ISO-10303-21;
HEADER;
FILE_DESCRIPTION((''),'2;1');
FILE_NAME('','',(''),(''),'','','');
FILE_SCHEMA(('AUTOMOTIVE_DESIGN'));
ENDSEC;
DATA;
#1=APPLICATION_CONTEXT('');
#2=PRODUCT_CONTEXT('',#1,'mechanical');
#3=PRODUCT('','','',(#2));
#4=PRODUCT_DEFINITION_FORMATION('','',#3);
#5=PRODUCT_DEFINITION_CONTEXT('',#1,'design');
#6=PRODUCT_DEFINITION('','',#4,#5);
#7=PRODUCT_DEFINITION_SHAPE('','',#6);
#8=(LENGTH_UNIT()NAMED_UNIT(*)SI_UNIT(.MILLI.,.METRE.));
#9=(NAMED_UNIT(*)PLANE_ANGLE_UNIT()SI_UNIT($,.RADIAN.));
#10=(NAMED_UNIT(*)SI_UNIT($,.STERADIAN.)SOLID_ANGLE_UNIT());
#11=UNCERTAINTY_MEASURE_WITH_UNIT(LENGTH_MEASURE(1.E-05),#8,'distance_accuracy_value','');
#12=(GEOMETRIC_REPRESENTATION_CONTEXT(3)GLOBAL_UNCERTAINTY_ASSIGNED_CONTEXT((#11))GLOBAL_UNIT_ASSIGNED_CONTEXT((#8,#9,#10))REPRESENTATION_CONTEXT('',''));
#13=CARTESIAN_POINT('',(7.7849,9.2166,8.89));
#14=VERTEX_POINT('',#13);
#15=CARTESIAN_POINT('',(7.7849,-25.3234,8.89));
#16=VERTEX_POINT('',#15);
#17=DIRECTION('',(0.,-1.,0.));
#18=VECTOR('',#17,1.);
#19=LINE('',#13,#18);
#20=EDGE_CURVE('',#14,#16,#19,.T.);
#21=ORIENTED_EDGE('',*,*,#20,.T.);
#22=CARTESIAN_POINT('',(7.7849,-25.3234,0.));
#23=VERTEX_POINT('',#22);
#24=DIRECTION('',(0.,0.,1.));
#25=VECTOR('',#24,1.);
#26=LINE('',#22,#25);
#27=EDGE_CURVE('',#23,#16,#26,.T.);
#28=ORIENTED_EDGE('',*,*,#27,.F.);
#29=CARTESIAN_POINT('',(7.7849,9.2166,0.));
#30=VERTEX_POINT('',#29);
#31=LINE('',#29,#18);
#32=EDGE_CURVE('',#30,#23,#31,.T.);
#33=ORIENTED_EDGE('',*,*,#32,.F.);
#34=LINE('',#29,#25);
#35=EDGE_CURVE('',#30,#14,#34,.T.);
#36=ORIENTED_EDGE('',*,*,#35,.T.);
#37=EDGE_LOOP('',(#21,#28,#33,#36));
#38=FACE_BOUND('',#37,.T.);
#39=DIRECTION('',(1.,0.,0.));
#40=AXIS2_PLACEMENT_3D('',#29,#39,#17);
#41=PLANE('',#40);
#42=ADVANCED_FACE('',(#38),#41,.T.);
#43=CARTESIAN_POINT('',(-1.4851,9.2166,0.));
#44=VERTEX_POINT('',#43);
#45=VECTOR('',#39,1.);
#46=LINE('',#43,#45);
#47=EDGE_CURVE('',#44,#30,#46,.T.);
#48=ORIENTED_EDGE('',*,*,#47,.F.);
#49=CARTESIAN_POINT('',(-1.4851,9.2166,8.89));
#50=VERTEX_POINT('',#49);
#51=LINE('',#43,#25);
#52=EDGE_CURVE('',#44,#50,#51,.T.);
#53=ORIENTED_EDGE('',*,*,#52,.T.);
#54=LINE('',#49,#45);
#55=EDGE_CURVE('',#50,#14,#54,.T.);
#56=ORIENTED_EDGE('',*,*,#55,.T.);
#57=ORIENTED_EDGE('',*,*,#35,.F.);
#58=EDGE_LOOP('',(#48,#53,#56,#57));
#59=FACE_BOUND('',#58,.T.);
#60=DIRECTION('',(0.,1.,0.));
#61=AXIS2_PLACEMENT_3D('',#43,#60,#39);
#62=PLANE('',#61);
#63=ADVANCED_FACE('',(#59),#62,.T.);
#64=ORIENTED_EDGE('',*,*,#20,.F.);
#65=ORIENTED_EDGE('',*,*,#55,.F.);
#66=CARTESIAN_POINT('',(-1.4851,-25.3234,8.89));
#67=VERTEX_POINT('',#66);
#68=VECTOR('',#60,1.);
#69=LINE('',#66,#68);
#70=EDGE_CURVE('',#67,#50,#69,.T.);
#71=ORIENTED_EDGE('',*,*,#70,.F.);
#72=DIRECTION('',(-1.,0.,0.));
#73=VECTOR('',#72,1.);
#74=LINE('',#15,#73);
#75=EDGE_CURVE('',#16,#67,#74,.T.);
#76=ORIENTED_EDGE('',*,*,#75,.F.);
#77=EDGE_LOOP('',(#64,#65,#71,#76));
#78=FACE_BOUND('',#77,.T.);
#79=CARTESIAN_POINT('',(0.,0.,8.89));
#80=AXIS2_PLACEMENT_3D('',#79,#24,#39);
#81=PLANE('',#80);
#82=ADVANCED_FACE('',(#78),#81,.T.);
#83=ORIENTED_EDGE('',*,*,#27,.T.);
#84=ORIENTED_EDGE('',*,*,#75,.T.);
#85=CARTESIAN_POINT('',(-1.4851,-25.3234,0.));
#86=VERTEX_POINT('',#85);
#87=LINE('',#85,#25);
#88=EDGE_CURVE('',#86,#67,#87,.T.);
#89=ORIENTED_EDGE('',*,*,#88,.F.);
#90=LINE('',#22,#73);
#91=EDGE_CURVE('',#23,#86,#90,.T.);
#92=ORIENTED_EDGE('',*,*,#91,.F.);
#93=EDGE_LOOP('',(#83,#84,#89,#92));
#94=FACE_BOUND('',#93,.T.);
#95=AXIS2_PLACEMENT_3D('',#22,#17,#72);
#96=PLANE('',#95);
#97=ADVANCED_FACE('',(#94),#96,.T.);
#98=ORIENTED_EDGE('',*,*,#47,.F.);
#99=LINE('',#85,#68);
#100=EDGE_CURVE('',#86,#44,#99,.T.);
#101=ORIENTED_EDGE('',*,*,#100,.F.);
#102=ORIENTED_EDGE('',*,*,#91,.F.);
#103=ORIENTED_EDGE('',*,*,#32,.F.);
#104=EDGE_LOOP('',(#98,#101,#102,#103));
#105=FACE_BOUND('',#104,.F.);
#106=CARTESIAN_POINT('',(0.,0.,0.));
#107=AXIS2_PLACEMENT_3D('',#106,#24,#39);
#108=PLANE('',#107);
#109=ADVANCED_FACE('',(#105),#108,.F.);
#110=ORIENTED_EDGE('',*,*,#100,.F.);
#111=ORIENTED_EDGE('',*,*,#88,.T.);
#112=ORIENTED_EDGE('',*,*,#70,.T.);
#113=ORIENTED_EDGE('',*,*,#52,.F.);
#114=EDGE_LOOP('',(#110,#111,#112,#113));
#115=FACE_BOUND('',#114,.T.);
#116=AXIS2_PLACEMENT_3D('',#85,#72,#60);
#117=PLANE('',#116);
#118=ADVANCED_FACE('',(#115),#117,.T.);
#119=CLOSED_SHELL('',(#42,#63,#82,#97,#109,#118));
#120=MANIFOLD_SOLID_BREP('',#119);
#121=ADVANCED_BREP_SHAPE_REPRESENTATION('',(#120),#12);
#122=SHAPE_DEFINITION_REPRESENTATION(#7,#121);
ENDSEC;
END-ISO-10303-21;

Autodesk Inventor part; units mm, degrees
ref_plane "YZ Plane" through (0, 0, 0) normal (1, 0, 0) x (0, 1, 0)
ref_plane "XZ Plane" through (0, 0, 0) normal (0, 1, 0) x (-1, 0, 0)
ref_plane "XY Plane" through (0, 0, 0) normal (0, 0, 1) x (1, 0, 0)
sketch "Sketch2" plane through (0, 0, 0) normal (0, 0, 1) x (1, 0, 0)
  line L0 (7.7849, -25.3234) -> (-1.4851, -25.3234)
  line L1 (-1.4851, -25.3234) -> (-1.4851, 9.2166)
  line L2 (-1.4851, 9.2166) -> (7.7849, 9.2166)
  line L3 (7.7849, 9.2166) -> (7.7849, -25.3234)
  point P0 (0, 0)
  dimension "d0" = 34.54
  dimension "d1" = 9.27
extrude "Extrusion1" add sketch "Sketch2" along normal blind 8.89
properties part number "BPF"
